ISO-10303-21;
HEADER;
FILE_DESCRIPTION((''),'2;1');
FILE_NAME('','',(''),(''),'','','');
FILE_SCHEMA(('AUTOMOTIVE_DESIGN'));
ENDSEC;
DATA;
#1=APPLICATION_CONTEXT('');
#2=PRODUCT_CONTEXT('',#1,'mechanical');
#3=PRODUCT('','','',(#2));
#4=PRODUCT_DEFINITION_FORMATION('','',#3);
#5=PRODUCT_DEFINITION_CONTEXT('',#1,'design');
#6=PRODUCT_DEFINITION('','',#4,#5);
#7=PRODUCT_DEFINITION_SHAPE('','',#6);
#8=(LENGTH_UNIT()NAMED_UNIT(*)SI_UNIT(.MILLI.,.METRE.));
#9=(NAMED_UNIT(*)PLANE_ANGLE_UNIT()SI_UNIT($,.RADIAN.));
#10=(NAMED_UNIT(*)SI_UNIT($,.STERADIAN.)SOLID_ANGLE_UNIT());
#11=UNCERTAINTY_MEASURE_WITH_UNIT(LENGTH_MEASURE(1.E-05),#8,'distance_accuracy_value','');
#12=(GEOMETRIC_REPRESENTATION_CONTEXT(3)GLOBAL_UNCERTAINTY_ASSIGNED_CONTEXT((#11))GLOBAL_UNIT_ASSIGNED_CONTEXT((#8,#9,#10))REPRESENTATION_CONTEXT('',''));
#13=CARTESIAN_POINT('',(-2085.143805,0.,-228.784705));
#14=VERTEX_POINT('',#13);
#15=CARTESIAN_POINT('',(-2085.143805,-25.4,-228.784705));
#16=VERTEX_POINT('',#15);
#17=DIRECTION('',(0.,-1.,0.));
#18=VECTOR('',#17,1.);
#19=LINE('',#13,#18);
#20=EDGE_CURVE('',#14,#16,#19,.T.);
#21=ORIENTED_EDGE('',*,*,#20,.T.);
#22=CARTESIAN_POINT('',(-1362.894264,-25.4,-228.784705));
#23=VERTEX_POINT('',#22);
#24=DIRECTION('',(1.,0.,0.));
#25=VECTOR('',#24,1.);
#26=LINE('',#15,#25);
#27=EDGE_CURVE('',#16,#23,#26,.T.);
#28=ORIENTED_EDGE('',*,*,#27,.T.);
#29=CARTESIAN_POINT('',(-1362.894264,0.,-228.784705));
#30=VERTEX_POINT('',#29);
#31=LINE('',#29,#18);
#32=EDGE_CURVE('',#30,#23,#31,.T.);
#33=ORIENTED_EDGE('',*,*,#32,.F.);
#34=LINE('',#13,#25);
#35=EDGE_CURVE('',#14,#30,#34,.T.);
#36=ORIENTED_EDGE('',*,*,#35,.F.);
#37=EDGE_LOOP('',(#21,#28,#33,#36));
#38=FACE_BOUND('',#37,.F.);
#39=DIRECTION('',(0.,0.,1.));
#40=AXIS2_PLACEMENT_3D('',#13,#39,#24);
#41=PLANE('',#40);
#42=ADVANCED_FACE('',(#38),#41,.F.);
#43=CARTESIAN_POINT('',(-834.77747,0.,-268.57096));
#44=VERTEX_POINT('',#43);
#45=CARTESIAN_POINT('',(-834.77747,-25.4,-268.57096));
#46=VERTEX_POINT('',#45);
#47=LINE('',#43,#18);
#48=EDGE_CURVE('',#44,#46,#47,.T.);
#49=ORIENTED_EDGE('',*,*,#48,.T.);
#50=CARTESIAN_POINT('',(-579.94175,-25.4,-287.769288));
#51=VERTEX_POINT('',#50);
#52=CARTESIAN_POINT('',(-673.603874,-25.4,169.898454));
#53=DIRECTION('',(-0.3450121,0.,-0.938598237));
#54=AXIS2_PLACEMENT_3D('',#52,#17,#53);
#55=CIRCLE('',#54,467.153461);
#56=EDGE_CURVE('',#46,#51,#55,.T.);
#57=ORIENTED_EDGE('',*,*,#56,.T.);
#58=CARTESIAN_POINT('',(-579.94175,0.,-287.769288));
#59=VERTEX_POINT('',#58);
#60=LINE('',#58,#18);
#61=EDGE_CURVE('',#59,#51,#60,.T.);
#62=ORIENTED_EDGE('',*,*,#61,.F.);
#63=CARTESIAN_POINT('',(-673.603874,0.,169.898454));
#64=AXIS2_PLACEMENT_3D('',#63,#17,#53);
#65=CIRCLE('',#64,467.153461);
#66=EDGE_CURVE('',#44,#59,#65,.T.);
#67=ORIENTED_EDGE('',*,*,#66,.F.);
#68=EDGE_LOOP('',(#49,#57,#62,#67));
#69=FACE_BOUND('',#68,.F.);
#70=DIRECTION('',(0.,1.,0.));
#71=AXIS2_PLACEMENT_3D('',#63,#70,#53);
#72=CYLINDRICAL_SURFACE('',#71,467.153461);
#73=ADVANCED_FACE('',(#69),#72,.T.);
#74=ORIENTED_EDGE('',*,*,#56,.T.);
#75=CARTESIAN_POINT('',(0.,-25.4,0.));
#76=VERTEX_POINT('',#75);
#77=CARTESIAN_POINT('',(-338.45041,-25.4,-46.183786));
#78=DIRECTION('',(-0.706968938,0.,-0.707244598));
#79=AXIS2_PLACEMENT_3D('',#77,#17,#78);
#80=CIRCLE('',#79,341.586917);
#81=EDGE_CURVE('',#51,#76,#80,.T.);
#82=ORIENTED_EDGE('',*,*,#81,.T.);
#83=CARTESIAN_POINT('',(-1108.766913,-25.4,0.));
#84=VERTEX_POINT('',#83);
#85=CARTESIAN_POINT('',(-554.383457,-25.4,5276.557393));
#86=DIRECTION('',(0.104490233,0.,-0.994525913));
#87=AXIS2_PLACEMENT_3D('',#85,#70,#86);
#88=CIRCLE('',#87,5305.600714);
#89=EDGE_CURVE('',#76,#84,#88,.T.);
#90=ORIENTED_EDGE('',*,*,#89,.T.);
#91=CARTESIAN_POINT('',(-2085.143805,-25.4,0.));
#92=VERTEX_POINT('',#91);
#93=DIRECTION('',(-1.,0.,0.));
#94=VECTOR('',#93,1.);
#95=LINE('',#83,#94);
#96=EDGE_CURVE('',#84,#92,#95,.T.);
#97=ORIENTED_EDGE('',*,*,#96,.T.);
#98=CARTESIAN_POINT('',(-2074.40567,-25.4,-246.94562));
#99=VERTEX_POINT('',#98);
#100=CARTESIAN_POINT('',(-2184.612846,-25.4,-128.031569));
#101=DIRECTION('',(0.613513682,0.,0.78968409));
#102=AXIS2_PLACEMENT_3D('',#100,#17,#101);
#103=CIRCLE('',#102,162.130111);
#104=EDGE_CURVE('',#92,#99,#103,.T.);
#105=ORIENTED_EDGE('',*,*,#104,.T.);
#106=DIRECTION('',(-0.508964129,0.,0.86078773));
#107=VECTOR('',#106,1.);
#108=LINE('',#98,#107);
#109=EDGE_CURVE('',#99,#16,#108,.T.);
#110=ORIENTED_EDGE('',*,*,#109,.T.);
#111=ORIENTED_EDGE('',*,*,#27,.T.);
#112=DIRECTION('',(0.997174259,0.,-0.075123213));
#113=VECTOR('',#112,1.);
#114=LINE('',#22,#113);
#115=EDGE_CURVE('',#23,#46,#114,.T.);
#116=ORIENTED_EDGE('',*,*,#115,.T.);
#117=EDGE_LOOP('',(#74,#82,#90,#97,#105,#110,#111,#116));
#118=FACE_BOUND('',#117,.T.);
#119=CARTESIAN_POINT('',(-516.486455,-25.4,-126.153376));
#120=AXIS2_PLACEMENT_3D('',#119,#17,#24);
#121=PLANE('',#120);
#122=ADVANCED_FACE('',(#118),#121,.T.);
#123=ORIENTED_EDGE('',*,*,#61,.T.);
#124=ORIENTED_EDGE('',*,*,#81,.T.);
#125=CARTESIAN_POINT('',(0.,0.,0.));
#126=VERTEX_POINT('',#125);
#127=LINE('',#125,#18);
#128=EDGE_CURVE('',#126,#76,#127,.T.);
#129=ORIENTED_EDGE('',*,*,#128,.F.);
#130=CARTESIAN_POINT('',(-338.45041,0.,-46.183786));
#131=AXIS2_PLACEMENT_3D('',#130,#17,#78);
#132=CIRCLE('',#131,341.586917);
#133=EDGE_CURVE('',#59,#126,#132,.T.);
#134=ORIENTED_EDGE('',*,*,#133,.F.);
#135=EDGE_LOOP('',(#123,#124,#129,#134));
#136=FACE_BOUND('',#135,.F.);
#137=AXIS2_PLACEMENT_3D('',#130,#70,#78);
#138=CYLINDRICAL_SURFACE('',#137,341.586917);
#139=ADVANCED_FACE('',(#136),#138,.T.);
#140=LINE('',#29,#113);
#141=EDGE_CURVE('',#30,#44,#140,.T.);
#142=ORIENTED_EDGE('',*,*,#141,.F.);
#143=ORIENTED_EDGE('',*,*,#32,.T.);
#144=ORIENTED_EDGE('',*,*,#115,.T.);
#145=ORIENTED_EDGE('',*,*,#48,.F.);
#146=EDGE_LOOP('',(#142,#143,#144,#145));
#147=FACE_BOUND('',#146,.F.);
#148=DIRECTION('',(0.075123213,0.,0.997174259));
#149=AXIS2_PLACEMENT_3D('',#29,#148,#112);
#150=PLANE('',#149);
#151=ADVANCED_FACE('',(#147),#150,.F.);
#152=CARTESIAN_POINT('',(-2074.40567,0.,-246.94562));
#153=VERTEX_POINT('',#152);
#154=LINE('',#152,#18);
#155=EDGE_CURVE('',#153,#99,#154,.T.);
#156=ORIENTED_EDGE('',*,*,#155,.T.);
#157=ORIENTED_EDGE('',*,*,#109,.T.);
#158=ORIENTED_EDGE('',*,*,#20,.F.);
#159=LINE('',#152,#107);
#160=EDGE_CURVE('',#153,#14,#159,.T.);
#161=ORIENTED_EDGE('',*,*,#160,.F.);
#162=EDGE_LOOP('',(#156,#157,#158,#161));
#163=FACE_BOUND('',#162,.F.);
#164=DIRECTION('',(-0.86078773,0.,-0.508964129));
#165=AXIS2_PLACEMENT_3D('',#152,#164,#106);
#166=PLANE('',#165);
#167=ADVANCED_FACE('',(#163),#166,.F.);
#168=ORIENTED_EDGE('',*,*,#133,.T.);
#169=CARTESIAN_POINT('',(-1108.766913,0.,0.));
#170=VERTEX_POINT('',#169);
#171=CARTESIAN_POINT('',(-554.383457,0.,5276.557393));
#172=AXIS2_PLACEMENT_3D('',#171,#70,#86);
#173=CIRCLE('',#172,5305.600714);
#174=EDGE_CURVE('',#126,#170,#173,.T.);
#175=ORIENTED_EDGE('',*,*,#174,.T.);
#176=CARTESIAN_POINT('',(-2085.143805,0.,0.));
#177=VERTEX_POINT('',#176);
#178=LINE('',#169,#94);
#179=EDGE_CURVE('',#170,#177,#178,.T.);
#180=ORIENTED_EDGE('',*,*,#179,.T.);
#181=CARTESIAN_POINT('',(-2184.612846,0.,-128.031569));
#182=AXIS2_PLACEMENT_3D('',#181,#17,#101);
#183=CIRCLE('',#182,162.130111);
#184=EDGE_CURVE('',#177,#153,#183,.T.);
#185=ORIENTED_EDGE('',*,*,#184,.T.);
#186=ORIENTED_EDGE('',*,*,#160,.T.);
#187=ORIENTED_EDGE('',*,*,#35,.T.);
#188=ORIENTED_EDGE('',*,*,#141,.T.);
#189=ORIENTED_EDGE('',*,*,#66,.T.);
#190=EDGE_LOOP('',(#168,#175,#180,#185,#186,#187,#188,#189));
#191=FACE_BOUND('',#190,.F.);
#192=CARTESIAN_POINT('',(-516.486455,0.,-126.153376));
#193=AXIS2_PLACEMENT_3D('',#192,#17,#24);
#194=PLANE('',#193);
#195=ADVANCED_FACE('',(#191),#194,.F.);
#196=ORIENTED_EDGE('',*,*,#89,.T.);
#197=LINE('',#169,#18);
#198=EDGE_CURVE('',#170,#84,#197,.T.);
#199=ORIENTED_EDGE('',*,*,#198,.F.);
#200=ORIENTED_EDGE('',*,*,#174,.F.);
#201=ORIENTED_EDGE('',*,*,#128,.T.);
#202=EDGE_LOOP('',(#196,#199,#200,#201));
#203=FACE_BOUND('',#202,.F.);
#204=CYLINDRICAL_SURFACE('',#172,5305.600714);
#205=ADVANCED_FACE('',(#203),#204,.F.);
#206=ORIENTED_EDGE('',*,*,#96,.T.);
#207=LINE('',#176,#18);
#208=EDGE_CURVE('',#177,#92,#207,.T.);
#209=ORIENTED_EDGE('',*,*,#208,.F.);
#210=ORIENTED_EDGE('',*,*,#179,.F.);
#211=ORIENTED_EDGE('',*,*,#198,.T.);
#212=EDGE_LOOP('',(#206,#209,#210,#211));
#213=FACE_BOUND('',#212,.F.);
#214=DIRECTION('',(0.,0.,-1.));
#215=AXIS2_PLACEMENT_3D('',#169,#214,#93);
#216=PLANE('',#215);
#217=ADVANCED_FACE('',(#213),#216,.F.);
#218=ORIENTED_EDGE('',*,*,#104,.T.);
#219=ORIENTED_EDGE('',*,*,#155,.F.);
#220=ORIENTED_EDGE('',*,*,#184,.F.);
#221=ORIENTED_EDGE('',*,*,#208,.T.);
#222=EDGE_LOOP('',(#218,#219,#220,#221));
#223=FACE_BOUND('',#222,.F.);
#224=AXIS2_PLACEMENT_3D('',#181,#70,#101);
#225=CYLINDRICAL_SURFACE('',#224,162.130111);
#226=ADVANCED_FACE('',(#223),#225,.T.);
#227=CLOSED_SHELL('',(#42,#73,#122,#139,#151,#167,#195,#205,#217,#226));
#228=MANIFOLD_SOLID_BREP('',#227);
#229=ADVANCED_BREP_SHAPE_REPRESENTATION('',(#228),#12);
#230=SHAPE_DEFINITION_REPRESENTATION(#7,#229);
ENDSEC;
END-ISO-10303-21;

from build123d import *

# Parameters (mm, degrees)
F1_DEPTH = 25.4


with BuildPart() as f1:
    # F0 (on Front) → F1 (new body)
    with BuildSketch(Plane.XZ):
        with BuildLine():
            ThreePointArc((-1108.766913414, 0), (-836.979746873, -130.3325864651), (-579.9417495728, -287.7692878246))
            ThreePointArc((-579.9417495728, -287.7692878246), (-186.6180808752, -352.1716385989), (0, 0))
            ThreePointArc((0, 0), (-554.383456707, -29.0433212184), (-1108.766913414, 0))
        make_face()
        with BuildLine():
            Line((-834.7774703357, -268.5709603033), (-579.9417495728, -287.7692878246))
            ThreePointArc((-579.9417495728, -287.7692878246), (-836.979746873, -130.3325864651), (-1108.766913414, 0))
            ThreePointArc((-1108.766913414, 0), (-1000.6160082702, -163.7112273788), (-834.7774703357, -268.5709603032))
        make_face()
        with BuildLine():
            ThreePointArc((-834.7774703357, -268.5709603032), (-708.6979426518, -295.9349516107), (-579.9417495728, -287.7692878246))
            Line((-579.9417495728, -287.7692878246), (-834.7774703357, -268.5709603033))
        make_face()
        with BuildLine():
            ThreePointArc((-834.7774703357, -268.5709603032), (-1000.6160082702, -163.7112273788), (-1108.766913414, 0))
            ThreePointArc((-1108.766913414, 0), (-1186.9150728411, -168.7262748124), (-1362.894263815, -228.784704513))
            Line((-1362.894263815, -228.784704513), (-834.7774703357, -268.5709603033))
        make_face()
        with BuildLine():
            ThreePointArc((-1362.894263815, -228.784704513), (-1186.9150728411, -168.7262748124), (-1108.766913414, 0))
            Line((-1108.766913414, 0), (-1581.4932584763, 0))
            Line((-1581.4932584763, 0), (-1362.894263815, -228.784704513))
        make_face()
        with BuildLine():
            Line((-2085.1438045502, -228.784704513), (-1362.894263815, -228.784704513))
            ThreePointArc((-1362.894263815, -228.784704513), (-1416.5381040648, -218.4133648746), (-1466.3696860565, -196.0071220202))
            Line((-1466.3696860565, -196.0071220202), (-2085.1438045502, 0))
            Line((-2085.1438045502, 0), (-2085.1438045502, -228.784704513))
        make_face()
        with BuildLine():
            Line((-1466.3696860565, -196.0071220202), (-1362.894263815, -228.784704513))
            Line((-1362.894263815, -228.784704513), (-1581.4932584763, 0))
            ThreePointArc((-1581.4932584763, 0), (-1549.0286727991, -112.7442467223), (-1466.3696860565, -196.0071220202))
        make_face()
        with BuildLine():
            ThreePointArc((-1466.3696860565, -196.0071220202), (-1416.5381040648, -218.4133648746), (-1362.894263815, -228.784704513))
            Line((-1362.894263815, -228.784704513), (-1466.3696860565, -196.0071220202))
        make_face()
        with BuildLine():
            ThreePointArc((-1466.3696860565, -196.0071220202), (-1549.0286727991, -112.7442467223), (-1581.4932584763, 0))
            Line((-1581.4932584763, 0), (-2085.1438045502, 0))
            Line((-2085.1438045502, 0), (-1466.3696860565, -196.0071220202))
        make_face()
        with BuildLine():
            Line((-2074.405670166, -246.9456195831), (-2085.1438045502, -228.784704513))
            Line((-2085.1438045502, -228.784704513), (-2085.1438045502, 0))
            ThreePointArc((-2085.1438045502, 0), (-2346.5898933402, -135.0749471589), (-2074.405670166, -246.9456195831))
        make_face()
    extrude(amount=F1_DEPTH)


solid = f1.part
